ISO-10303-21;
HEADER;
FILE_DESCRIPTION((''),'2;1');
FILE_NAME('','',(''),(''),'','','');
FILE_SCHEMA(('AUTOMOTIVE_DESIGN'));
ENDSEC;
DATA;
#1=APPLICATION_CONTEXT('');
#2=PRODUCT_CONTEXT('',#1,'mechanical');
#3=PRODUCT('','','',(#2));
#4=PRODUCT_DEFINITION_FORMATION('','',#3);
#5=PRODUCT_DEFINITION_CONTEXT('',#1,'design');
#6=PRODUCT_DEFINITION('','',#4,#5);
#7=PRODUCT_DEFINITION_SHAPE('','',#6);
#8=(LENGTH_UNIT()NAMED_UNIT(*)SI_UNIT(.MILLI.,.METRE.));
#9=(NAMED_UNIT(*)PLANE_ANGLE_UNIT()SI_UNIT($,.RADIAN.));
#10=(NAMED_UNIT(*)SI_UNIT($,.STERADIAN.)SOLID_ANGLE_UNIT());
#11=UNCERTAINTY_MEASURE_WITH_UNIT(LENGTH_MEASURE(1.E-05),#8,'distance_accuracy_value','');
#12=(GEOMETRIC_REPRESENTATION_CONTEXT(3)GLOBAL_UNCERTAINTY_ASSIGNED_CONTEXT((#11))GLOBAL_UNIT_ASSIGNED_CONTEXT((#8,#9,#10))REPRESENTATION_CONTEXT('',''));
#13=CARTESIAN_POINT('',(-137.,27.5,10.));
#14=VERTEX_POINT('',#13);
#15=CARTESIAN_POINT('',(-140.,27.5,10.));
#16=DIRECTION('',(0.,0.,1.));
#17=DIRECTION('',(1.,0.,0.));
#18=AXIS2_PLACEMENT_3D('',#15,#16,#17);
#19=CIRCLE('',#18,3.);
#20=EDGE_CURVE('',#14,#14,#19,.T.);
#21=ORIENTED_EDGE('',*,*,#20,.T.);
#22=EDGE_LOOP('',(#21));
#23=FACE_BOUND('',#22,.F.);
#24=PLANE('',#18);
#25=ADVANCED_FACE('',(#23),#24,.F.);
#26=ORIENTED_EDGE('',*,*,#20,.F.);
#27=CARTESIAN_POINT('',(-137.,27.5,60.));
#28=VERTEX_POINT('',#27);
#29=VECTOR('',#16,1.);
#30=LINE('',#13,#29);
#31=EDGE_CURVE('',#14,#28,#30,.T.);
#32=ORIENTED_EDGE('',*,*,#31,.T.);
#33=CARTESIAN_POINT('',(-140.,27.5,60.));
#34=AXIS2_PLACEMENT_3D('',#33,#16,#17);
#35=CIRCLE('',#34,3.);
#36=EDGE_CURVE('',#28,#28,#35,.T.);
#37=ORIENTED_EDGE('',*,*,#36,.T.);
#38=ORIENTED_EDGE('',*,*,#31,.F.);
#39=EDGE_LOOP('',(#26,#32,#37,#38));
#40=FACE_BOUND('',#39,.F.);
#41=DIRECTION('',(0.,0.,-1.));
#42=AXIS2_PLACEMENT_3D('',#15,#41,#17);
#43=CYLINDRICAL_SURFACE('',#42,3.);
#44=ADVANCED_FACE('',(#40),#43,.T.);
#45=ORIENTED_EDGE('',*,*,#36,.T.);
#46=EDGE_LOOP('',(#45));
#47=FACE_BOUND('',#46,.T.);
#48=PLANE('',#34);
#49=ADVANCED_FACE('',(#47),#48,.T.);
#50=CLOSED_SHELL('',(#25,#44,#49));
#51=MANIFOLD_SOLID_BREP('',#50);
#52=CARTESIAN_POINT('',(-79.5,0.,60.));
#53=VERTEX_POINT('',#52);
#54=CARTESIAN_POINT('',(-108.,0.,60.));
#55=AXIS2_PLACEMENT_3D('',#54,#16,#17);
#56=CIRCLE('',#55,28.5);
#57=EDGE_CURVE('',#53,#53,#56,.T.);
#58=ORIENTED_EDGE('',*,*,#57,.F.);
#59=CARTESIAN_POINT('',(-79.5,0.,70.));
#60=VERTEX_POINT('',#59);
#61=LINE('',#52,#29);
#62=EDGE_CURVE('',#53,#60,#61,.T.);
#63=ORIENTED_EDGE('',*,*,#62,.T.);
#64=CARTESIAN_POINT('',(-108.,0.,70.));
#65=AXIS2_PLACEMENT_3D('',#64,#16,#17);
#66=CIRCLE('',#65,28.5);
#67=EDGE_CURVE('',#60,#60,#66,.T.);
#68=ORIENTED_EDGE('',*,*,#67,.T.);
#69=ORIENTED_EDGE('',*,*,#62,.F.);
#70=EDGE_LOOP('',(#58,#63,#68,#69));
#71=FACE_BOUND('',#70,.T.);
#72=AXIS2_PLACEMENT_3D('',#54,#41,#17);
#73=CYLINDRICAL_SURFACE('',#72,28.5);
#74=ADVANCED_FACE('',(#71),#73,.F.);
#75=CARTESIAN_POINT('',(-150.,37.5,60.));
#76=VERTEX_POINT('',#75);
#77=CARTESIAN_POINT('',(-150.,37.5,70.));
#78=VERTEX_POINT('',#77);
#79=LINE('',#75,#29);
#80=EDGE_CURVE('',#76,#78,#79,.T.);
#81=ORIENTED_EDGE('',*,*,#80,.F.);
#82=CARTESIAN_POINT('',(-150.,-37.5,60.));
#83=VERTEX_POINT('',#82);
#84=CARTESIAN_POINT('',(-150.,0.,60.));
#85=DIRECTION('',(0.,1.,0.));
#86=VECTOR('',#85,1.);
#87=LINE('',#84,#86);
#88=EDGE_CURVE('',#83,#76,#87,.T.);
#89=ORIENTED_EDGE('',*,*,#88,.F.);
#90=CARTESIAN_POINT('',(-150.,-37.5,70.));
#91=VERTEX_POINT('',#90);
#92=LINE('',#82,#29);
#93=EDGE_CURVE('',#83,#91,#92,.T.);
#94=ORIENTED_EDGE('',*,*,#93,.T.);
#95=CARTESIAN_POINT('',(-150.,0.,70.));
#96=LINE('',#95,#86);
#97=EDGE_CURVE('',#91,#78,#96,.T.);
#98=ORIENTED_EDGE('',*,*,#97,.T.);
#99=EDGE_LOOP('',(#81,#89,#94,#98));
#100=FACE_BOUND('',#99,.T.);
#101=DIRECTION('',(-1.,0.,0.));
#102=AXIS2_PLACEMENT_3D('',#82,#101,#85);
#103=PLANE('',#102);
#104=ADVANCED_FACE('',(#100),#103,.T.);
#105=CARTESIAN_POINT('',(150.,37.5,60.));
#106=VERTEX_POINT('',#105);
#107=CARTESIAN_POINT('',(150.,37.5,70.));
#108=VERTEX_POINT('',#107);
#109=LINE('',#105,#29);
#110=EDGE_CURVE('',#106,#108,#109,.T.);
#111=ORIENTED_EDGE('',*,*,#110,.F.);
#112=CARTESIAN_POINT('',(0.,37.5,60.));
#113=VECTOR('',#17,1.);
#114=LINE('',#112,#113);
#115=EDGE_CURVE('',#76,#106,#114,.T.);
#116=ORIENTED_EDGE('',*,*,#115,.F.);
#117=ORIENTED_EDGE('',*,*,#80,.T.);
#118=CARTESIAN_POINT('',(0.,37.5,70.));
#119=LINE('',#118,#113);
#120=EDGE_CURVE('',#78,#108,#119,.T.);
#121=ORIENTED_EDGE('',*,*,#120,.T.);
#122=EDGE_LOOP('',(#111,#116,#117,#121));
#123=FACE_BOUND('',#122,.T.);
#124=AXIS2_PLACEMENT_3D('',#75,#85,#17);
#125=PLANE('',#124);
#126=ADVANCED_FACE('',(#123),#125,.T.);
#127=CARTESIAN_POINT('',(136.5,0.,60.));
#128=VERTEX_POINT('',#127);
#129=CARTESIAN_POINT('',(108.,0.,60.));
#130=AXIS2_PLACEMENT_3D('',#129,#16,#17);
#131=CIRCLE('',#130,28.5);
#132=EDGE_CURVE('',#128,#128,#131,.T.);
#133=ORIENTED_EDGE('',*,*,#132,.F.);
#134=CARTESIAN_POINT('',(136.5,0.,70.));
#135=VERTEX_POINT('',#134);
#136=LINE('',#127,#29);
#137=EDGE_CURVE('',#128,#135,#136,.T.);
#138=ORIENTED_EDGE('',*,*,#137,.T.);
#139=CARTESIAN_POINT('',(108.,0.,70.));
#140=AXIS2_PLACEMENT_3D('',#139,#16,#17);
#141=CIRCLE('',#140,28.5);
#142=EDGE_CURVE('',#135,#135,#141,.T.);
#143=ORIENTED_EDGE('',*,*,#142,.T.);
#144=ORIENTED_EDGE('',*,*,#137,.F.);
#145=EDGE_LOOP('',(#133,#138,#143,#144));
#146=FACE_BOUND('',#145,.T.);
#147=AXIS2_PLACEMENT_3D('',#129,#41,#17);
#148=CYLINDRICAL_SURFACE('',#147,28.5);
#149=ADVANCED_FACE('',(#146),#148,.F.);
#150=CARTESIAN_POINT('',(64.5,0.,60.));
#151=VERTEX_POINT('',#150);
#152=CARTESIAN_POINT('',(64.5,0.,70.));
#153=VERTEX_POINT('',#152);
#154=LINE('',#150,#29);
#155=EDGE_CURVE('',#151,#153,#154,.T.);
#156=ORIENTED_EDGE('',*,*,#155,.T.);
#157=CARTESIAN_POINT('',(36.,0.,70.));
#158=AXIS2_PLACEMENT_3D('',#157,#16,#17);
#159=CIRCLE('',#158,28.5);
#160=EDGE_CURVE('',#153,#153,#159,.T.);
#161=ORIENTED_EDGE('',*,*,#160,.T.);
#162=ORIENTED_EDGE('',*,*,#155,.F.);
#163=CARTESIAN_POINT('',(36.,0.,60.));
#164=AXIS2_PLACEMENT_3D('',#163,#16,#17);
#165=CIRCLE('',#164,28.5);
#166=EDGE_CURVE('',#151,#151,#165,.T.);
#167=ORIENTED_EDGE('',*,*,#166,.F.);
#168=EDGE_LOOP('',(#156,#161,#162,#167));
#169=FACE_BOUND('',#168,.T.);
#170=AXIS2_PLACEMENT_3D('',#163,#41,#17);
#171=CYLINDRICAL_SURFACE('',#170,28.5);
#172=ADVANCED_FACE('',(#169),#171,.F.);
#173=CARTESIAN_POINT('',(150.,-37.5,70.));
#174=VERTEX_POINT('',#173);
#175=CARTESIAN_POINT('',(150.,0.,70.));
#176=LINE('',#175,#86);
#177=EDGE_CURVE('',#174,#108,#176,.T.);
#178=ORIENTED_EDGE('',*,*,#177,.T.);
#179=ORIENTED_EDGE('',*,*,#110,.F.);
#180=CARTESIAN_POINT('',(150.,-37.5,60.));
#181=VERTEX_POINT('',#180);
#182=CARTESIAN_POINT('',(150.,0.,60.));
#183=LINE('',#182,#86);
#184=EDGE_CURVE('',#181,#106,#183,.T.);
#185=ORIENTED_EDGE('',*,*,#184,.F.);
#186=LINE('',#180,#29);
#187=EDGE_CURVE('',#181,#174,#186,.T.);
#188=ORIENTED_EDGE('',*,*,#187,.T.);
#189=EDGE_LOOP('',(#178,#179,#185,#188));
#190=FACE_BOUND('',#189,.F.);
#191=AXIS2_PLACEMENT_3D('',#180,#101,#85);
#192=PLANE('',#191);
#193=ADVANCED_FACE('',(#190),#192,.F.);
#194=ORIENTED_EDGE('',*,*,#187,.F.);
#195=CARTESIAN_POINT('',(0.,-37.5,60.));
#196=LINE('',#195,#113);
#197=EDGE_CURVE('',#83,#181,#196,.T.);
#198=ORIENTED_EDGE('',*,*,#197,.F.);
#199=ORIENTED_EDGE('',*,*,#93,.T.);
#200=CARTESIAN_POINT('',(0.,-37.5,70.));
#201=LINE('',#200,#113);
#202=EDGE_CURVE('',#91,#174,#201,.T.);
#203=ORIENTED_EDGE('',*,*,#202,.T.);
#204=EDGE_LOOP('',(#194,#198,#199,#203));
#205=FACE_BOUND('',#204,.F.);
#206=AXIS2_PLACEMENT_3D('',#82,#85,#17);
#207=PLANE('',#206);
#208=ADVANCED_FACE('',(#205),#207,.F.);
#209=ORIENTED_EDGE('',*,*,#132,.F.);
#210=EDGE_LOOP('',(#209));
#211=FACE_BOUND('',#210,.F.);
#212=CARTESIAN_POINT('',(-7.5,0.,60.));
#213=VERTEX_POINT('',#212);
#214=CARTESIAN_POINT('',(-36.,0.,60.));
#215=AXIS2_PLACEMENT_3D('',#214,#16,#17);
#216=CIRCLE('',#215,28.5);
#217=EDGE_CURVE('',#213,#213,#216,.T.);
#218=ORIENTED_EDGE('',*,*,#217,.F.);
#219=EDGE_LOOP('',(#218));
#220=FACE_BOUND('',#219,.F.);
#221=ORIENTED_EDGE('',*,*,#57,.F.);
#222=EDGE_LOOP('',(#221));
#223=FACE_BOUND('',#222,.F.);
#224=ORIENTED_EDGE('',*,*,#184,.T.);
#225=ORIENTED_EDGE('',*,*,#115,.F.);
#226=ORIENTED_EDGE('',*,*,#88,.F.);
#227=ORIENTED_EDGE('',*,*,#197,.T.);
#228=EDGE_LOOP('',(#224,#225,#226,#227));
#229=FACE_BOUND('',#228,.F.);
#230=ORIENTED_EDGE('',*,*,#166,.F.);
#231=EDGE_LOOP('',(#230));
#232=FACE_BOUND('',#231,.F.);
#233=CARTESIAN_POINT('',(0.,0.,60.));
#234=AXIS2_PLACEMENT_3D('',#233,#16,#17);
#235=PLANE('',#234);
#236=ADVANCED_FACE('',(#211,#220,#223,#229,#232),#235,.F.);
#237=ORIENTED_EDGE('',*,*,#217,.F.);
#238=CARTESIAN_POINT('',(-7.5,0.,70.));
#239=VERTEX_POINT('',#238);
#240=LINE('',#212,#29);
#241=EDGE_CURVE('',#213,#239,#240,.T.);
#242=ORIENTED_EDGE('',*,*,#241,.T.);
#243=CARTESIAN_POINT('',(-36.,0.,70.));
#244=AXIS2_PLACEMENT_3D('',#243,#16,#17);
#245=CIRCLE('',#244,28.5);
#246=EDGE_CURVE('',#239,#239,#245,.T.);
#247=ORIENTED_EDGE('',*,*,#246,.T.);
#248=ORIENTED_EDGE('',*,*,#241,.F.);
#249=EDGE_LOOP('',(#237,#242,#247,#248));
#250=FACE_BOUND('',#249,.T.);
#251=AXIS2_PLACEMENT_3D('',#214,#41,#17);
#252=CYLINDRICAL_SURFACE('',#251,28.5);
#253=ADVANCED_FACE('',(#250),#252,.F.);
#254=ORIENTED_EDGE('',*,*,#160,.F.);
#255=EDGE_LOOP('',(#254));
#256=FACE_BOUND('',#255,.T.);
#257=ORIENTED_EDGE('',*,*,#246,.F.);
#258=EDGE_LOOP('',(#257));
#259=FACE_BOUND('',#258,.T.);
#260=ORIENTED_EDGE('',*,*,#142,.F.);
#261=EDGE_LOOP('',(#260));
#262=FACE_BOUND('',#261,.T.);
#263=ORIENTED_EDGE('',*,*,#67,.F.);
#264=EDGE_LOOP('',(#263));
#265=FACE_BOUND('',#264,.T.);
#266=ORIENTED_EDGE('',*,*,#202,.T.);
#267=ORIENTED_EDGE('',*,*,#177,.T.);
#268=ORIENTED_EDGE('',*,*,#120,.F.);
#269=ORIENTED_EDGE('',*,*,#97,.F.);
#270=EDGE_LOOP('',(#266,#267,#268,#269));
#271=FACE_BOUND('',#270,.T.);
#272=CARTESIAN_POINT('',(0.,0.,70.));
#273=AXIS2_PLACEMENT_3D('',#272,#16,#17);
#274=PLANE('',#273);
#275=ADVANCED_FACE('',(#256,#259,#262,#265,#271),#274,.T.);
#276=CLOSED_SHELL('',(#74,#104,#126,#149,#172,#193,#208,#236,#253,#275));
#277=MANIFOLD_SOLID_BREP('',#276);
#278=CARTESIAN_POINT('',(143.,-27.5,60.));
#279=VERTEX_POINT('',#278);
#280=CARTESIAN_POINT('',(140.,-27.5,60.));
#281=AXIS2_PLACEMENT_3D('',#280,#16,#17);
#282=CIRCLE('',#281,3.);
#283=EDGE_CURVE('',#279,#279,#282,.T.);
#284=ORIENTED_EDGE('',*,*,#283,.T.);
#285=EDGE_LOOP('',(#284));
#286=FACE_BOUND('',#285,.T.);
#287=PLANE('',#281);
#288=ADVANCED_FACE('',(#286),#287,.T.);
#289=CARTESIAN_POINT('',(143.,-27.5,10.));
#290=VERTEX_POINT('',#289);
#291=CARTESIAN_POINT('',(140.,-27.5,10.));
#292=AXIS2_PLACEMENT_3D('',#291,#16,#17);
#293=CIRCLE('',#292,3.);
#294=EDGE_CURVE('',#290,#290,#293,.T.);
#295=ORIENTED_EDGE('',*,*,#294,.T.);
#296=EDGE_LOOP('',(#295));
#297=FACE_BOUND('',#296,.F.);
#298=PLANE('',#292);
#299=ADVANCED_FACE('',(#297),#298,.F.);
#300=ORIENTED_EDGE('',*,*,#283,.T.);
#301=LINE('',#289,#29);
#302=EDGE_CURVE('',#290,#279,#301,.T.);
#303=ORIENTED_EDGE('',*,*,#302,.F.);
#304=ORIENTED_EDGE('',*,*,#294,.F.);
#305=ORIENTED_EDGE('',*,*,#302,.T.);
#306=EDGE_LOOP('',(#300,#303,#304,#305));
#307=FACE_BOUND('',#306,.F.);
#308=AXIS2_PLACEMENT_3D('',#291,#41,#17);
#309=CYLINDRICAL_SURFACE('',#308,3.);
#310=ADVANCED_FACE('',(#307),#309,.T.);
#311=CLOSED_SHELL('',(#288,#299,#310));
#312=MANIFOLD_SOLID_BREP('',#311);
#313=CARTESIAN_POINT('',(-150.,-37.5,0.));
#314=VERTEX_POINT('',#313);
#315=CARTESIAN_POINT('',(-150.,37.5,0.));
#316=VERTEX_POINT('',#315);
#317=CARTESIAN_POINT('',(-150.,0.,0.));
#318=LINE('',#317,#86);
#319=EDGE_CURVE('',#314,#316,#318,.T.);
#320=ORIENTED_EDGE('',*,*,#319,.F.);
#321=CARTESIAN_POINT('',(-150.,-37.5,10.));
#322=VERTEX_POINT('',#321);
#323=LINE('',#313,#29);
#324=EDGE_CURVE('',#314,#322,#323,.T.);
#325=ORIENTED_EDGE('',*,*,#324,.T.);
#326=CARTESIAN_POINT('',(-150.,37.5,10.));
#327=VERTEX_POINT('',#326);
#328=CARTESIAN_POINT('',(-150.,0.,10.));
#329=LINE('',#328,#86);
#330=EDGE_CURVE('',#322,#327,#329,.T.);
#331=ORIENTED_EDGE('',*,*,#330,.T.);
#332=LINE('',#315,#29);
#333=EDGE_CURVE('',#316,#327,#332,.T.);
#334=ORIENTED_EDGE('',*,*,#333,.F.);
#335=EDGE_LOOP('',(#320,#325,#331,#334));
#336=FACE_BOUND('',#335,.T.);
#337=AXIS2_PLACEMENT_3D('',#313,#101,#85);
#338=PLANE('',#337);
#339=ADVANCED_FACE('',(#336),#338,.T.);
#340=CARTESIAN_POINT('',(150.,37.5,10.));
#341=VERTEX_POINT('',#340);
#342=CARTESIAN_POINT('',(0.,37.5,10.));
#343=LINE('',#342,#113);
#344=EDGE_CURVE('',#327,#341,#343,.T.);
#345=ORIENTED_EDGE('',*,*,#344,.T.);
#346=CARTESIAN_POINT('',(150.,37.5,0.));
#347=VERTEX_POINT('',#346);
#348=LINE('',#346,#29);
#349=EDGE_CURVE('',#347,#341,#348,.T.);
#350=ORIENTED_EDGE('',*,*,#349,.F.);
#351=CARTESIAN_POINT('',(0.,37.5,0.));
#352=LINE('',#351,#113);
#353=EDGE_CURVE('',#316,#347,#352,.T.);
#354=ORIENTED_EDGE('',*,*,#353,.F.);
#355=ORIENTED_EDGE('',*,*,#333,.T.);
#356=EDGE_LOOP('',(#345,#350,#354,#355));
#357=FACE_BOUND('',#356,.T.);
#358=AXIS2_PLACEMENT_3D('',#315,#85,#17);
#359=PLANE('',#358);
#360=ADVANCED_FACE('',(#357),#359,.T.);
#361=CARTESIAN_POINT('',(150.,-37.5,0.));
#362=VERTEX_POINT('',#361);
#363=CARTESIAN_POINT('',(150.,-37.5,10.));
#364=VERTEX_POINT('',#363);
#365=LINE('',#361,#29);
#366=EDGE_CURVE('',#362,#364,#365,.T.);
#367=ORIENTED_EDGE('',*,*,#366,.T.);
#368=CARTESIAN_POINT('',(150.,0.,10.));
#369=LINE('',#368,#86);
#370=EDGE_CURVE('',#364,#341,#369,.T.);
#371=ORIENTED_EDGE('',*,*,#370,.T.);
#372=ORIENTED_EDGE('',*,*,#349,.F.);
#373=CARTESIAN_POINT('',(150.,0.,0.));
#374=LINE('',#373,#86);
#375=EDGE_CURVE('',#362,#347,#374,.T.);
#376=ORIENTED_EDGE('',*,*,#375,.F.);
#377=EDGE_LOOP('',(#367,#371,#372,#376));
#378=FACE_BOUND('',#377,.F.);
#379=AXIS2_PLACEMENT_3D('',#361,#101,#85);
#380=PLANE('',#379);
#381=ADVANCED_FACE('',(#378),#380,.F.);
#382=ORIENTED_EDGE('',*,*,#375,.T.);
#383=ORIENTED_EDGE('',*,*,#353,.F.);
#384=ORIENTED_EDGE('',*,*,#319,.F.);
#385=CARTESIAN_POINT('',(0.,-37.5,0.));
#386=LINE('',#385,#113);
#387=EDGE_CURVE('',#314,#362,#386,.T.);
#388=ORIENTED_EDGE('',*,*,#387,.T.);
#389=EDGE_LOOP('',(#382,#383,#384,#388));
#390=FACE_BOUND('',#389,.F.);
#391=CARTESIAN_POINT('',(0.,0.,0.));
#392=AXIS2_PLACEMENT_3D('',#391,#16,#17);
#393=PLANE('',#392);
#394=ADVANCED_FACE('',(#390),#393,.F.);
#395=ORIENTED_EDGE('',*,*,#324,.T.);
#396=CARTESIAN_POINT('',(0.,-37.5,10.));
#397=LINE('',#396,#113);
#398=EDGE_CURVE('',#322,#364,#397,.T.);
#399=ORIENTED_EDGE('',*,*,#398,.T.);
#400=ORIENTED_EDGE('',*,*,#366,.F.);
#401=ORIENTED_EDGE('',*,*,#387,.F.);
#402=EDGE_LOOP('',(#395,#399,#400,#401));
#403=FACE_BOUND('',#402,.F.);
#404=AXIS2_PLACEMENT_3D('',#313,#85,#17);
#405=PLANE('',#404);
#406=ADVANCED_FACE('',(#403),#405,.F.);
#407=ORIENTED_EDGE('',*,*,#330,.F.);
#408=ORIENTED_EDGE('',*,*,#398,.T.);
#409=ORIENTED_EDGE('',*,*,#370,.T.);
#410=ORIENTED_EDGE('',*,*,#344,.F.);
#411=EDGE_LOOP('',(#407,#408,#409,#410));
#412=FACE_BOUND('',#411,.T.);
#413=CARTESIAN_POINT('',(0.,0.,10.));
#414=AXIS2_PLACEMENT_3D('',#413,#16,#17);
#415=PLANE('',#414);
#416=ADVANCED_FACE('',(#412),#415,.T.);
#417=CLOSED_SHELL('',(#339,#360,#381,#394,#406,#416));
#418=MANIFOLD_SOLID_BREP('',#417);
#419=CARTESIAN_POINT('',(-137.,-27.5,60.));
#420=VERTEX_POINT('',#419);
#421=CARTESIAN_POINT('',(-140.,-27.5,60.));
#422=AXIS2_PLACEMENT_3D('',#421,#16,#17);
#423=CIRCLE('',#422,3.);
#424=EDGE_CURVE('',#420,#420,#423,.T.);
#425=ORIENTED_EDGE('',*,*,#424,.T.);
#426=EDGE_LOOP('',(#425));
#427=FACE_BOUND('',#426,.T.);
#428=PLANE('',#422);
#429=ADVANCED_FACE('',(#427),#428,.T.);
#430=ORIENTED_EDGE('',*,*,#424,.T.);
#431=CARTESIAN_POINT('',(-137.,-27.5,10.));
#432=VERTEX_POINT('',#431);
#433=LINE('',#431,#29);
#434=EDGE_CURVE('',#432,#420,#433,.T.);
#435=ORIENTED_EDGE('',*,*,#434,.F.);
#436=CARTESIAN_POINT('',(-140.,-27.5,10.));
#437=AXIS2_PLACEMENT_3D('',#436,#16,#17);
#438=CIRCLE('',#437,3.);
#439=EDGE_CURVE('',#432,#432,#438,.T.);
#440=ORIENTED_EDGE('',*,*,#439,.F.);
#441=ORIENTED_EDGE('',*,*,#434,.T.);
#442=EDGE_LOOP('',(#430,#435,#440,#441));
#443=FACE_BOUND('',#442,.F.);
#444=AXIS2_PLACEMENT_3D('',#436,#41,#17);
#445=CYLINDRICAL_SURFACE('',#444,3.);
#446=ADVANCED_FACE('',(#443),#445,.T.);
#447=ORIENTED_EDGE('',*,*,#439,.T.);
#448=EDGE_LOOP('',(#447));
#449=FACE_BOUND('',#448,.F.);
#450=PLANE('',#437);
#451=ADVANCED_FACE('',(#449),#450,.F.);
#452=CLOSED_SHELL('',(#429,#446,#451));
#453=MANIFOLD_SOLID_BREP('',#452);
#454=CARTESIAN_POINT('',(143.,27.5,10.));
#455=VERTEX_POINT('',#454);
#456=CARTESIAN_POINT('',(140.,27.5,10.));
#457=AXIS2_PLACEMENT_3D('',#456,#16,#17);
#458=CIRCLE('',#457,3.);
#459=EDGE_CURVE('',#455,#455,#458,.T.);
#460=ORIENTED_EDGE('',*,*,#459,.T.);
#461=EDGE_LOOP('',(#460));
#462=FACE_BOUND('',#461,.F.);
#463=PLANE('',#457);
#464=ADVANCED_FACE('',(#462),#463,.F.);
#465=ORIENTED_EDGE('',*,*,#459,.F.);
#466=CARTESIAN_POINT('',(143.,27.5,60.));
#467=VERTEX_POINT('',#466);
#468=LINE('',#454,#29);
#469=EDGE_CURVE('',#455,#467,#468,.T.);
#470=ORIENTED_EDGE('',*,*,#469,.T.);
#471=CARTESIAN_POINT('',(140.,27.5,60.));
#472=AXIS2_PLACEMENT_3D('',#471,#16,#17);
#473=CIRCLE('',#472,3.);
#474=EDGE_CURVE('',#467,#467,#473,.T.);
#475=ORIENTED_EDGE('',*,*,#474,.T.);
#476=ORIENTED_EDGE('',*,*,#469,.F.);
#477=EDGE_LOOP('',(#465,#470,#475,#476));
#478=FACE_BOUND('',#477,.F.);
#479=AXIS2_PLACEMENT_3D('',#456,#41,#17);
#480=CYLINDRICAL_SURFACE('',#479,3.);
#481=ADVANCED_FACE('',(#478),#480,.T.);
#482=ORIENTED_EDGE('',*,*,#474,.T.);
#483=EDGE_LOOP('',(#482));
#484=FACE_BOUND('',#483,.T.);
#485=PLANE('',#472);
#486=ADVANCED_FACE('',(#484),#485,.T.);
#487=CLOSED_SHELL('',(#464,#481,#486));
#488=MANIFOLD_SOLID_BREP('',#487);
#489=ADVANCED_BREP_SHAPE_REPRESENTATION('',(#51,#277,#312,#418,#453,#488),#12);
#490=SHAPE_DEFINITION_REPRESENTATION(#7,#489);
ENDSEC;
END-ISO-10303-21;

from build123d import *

# Parameters (mm, degrees)
F0_W     = 300
F0_H     = 75
F1_DEPTH = 10
F3_W     = 300
F3_H     = 75
F3_R     = 28.5
F4_DEPTH = 10
F5_R     = 3
F6_DEPTH = 50


with BuildPart() as f1:
    # F0 (on Top) → F1 (new body)
    with BuildSketch(Plane.XY):
        Rectangle(F0_W, F0_H)
    extrude(amount=F1_DEPTH)


with BuildPart() as f4:
    # F3 (on offset) → F4 (new body)
    with BuildSketch(Plane.XY.offset(60)):
        Rectangle(F3_W, F3_H)
        with Locations((-108, 0)):
            Circle(F3_R, mode=Mode.SUBTRACT)
        with Locations((-36, 0)):
            Circle(F3_R, mode=Mode.SUBTRACT)
        with Locations((36, 0)):
            Circle(F3_R, mode=Mode.SUBTRACT)
        with Locations((108, 0)):
            Circle(F3_R, mode=Mode.SUBTRACT)
    extrude(amount=F4_DEPTH)


with BuildPart() as f6:
    # F5 (on face) → F6 (new body, through all)
    with BuildSketch(Plane.XY.offset(10)):
        with Locations((-140, -27.5)):
            Circle(F5_R)
        with Locations((-140, 27.5)):
            Circle(F5_R)
        with Locations((140, 27.5)):
            Circle(F5_R)
        with Locations((140, -27.5)):
            Circle(F5_R)
    extrude(amount=F6_DEPTH)


solid = Compound([f1.part, f4.part, f6.part])
